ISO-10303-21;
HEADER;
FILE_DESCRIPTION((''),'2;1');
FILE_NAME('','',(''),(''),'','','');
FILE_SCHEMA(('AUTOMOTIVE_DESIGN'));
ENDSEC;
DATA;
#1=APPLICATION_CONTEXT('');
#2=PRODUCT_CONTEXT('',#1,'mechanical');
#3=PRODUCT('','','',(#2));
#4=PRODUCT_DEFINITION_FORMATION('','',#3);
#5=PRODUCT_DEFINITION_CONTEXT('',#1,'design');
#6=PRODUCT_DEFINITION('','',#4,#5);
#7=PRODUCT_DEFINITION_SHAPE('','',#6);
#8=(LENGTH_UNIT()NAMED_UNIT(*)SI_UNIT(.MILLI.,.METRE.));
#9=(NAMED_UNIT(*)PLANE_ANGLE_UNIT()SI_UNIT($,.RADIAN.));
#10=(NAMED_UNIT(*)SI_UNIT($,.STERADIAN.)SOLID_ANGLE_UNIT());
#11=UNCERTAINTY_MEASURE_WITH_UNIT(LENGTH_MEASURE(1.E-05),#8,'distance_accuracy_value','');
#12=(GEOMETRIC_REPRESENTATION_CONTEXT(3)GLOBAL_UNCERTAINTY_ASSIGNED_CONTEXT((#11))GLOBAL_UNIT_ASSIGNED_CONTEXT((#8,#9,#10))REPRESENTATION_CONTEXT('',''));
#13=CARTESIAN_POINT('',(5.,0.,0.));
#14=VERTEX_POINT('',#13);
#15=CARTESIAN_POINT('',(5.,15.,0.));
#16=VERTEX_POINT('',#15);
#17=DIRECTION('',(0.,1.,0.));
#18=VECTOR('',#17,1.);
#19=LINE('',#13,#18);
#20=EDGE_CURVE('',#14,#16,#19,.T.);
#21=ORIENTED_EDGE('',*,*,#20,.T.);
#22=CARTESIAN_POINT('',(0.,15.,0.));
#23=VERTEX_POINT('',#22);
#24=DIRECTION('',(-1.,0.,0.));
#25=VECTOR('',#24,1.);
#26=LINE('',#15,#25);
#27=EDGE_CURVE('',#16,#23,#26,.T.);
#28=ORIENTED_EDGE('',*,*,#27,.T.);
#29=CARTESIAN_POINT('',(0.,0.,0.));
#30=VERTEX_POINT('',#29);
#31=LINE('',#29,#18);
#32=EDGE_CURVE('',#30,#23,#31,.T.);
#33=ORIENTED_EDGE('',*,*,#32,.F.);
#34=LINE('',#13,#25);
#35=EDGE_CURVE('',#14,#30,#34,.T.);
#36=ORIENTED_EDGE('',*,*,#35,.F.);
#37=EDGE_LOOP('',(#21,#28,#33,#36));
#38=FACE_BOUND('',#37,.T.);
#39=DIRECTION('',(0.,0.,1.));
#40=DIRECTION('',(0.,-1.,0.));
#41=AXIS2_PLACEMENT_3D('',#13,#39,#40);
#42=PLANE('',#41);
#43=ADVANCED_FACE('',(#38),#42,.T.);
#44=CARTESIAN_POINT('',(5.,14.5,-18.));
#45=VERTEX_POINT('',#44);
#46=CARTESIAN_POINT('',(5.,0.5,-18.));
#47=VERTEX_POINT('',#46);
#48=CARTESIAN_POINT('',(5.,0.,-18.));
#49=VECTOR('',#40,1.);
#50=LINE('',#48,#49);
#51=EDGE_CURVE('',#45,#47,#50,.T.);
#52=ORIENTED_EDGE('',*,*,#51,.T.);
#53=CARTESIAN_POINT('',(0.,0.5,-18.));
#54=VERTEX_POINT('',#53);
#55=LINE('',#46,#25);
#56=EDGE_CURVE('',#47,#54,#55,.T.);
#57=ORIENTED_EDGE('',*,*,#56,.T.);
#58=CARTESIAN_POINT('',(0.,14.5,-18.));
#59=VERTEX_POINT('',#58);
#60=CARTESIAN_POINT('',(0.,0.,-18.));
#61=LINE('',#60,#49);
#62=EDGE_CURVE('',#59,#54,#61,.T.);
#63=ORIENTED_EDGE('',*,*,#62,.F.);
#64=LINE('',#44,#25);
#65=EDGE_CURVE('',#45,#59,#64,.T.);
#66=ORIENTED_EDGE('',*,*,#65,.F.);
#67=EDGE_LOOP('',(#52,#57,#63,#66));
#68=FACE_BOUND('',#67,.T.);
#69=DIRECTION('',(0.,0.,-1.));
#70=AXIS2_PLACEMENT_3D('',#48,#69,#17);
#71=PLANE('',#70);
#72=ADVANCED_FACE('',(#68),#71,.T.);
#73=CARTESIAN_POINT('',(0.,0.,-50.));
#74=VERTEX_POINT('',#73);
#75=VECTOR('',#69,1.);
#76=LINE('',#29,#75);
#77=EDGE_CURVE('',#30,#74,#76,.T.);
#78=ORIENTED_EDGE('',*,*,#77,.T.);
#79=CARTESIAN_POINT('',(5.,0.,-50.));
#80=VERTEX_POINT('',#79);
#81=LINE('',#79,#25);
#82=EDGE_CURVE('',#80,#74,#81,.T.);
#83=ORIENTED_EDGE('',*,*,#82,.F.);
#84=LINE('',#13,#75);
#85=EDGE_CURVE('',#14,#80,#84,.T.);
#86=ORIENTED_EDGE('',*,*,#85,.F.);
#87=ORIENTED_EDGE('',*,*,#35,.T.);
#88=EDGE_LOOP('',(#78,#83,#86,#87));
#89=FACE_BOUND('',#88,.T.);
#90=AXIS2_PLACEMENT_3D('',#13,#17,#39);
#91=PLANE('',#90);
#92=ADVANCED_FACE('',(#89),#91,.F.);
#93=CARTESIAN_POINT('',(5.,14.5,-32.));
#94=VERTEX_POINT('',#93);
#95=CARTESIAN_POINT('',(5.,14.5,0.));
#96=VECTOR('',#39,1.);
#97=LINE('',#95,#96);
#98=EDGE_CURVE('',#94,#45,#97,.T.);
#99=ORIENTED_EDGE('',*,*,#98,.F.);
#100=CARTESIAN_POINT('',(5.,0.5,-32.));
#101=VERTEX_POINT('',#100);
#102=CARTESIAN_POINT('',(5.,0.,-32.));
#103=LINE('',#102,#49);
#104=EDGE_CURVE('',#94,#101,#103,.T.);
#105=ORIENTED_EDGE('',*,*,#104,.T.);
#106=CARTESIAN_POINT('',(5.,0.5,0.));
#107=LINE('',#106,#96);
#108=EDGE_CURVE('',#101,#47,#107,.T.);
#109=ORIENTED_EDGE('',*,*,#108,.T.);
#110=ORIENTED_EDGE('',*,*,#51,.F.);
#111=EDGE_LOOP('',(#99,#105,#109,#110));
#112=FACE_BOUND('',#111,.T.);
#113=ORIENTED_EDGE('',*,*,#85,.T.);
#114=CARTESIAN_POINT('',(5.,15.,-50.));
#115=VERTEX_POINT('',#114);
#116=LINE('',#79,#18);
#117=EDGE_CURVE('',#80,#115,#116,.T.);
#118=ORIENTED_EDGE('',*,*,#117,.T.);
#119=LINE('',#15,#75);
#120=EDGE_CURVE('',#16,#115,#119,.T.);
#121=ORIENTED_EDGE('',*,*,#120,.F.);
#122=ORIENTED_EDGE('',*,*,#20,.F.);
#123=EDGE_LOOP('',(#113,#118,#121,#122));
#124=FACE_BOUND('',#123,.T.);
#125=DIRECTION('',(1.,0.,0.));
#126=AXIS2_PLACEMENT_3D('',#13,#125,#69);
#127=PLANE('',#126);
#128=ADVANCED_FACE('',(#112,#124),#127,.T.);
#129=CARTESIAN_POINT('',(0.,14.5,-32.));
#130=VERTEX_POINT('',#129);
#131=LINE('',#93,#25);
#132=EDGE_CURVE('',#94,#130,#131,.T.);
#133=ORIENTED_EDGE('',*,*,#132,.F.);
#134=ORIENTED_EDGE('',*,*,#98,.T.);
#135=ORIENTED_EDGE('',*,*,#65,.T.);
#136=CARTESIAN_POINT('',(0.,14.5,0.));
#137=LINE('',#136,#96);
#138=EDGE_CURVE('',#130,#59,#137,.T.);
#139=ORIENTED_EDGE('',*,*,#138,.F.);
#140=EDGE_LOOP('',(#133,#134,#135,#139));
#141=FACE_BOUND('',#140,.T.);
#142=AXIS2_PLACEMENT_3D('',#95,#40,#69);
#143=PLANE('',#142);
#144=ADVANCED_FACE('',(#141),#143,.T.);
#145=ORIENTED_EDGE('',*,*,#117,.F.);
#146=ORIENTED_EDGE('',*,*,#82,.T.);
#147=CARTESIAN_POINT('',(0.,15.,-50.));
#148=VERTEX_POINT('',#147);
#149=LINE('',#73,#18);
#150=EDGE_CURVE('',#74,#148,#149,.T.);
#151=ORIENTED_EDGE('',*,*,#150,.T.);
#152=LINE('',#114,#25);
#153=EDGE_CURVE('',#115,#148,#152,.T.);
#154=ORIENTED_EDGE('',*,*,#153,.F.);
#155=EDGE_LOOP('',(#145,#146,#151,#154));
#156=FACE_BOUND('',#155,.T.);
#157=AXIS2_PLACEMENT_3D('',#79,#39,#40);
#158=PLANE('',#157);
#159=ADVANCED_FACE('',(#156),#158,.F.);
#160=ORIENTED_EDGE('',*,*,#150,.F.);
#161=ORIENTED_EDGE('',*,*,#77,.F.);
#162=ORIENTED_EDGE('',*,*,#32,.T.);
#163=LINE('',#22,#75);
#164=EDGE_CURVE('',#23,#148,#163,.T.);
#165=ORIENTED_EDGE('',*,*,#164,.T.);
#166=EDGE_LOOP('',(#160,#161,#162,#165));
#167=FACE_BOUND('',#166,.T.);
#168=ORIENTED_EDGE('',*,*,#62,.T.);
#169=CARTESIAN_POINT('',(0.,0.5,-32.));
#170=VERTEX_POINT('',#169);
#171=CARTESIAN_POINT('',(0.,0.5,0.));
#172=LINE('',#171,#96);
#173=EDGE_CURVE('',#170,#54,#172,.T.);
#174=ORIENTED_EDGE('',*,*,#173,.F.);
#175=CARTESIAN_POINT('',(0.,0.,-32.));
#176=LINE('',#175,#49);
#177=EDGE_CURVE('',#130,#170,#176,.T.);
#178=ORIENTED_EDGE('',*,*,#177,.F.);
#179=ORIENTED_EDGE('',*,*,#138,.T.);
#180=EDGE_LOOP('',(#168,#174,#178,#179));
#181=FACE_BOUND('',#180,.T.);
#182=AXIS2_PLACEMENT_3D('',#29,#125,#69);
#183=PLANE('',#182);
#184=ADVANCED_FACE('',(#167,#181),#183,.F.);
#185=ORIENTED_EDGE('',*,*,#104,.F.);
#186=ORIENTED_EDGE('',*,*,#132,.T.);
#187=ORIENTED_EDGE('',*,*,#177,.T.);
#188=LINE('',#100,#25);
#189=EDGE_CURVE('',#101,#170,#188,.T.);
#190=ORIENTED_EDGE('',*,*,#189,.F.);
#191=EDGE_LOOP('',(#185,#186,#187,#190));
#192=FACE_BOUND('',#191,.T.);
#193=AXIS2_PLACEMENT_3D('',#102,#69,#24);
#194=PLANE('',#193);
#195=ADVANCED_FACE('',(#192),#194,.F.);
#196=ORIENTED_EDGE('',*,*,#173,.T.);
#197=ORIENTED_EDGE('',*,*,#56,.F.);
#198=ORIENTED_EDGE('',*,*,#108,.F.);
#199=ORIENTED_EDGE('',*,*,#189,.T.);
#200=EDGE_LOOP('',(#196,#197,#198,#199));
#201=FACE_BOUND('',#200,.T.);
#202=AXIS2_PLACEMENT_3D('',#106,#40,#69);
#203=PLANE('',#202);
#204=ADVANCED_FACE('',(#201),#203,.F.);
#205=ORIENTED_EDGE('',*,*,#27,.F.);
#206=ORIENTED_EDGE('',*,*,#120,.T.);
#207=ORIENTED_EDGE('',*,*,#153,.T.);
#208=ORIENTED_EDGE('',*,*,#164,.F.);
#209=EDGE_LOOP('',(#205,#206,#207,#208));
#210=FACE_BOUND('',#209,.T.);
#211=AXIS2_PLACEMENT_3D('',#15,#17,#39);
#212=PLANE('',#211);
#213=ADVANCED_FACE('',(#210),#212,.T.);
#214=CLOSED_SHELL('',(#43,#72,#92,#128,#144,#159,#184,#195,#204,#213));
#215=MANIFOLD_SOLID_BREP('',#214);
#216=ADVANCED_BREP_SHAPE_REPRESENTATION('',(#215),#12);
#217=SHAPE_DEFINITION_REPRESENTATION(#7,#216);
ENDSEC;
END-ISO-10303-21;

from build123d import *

# Parameters (mm, degrees)
SKETCH1_W           = 14
SKETCH1_H           = 14
BOSS_EXTRUDE1_DEPTH = 5


with BuildPart() as part:
    # Sketch1 → Boss-Extrude1 (new body)
    with BuildSketch(Plane(origin=(0, 0, 0), x_dir=(0, 0, -1), z_dir=(1, 0, 0))):
        Polygon((50, 15), (18, 15), (0, 15), (0, 0), (50, 0), align=None)
        with Locations((25, 7.5)):
            Rectangle(SKETCH1_W, SKETCH1_H, mode=Mode.SUBTRACT)
    extrude(amount=BOSS_EXTRUDE1_DEPTH)


solid = part.part
